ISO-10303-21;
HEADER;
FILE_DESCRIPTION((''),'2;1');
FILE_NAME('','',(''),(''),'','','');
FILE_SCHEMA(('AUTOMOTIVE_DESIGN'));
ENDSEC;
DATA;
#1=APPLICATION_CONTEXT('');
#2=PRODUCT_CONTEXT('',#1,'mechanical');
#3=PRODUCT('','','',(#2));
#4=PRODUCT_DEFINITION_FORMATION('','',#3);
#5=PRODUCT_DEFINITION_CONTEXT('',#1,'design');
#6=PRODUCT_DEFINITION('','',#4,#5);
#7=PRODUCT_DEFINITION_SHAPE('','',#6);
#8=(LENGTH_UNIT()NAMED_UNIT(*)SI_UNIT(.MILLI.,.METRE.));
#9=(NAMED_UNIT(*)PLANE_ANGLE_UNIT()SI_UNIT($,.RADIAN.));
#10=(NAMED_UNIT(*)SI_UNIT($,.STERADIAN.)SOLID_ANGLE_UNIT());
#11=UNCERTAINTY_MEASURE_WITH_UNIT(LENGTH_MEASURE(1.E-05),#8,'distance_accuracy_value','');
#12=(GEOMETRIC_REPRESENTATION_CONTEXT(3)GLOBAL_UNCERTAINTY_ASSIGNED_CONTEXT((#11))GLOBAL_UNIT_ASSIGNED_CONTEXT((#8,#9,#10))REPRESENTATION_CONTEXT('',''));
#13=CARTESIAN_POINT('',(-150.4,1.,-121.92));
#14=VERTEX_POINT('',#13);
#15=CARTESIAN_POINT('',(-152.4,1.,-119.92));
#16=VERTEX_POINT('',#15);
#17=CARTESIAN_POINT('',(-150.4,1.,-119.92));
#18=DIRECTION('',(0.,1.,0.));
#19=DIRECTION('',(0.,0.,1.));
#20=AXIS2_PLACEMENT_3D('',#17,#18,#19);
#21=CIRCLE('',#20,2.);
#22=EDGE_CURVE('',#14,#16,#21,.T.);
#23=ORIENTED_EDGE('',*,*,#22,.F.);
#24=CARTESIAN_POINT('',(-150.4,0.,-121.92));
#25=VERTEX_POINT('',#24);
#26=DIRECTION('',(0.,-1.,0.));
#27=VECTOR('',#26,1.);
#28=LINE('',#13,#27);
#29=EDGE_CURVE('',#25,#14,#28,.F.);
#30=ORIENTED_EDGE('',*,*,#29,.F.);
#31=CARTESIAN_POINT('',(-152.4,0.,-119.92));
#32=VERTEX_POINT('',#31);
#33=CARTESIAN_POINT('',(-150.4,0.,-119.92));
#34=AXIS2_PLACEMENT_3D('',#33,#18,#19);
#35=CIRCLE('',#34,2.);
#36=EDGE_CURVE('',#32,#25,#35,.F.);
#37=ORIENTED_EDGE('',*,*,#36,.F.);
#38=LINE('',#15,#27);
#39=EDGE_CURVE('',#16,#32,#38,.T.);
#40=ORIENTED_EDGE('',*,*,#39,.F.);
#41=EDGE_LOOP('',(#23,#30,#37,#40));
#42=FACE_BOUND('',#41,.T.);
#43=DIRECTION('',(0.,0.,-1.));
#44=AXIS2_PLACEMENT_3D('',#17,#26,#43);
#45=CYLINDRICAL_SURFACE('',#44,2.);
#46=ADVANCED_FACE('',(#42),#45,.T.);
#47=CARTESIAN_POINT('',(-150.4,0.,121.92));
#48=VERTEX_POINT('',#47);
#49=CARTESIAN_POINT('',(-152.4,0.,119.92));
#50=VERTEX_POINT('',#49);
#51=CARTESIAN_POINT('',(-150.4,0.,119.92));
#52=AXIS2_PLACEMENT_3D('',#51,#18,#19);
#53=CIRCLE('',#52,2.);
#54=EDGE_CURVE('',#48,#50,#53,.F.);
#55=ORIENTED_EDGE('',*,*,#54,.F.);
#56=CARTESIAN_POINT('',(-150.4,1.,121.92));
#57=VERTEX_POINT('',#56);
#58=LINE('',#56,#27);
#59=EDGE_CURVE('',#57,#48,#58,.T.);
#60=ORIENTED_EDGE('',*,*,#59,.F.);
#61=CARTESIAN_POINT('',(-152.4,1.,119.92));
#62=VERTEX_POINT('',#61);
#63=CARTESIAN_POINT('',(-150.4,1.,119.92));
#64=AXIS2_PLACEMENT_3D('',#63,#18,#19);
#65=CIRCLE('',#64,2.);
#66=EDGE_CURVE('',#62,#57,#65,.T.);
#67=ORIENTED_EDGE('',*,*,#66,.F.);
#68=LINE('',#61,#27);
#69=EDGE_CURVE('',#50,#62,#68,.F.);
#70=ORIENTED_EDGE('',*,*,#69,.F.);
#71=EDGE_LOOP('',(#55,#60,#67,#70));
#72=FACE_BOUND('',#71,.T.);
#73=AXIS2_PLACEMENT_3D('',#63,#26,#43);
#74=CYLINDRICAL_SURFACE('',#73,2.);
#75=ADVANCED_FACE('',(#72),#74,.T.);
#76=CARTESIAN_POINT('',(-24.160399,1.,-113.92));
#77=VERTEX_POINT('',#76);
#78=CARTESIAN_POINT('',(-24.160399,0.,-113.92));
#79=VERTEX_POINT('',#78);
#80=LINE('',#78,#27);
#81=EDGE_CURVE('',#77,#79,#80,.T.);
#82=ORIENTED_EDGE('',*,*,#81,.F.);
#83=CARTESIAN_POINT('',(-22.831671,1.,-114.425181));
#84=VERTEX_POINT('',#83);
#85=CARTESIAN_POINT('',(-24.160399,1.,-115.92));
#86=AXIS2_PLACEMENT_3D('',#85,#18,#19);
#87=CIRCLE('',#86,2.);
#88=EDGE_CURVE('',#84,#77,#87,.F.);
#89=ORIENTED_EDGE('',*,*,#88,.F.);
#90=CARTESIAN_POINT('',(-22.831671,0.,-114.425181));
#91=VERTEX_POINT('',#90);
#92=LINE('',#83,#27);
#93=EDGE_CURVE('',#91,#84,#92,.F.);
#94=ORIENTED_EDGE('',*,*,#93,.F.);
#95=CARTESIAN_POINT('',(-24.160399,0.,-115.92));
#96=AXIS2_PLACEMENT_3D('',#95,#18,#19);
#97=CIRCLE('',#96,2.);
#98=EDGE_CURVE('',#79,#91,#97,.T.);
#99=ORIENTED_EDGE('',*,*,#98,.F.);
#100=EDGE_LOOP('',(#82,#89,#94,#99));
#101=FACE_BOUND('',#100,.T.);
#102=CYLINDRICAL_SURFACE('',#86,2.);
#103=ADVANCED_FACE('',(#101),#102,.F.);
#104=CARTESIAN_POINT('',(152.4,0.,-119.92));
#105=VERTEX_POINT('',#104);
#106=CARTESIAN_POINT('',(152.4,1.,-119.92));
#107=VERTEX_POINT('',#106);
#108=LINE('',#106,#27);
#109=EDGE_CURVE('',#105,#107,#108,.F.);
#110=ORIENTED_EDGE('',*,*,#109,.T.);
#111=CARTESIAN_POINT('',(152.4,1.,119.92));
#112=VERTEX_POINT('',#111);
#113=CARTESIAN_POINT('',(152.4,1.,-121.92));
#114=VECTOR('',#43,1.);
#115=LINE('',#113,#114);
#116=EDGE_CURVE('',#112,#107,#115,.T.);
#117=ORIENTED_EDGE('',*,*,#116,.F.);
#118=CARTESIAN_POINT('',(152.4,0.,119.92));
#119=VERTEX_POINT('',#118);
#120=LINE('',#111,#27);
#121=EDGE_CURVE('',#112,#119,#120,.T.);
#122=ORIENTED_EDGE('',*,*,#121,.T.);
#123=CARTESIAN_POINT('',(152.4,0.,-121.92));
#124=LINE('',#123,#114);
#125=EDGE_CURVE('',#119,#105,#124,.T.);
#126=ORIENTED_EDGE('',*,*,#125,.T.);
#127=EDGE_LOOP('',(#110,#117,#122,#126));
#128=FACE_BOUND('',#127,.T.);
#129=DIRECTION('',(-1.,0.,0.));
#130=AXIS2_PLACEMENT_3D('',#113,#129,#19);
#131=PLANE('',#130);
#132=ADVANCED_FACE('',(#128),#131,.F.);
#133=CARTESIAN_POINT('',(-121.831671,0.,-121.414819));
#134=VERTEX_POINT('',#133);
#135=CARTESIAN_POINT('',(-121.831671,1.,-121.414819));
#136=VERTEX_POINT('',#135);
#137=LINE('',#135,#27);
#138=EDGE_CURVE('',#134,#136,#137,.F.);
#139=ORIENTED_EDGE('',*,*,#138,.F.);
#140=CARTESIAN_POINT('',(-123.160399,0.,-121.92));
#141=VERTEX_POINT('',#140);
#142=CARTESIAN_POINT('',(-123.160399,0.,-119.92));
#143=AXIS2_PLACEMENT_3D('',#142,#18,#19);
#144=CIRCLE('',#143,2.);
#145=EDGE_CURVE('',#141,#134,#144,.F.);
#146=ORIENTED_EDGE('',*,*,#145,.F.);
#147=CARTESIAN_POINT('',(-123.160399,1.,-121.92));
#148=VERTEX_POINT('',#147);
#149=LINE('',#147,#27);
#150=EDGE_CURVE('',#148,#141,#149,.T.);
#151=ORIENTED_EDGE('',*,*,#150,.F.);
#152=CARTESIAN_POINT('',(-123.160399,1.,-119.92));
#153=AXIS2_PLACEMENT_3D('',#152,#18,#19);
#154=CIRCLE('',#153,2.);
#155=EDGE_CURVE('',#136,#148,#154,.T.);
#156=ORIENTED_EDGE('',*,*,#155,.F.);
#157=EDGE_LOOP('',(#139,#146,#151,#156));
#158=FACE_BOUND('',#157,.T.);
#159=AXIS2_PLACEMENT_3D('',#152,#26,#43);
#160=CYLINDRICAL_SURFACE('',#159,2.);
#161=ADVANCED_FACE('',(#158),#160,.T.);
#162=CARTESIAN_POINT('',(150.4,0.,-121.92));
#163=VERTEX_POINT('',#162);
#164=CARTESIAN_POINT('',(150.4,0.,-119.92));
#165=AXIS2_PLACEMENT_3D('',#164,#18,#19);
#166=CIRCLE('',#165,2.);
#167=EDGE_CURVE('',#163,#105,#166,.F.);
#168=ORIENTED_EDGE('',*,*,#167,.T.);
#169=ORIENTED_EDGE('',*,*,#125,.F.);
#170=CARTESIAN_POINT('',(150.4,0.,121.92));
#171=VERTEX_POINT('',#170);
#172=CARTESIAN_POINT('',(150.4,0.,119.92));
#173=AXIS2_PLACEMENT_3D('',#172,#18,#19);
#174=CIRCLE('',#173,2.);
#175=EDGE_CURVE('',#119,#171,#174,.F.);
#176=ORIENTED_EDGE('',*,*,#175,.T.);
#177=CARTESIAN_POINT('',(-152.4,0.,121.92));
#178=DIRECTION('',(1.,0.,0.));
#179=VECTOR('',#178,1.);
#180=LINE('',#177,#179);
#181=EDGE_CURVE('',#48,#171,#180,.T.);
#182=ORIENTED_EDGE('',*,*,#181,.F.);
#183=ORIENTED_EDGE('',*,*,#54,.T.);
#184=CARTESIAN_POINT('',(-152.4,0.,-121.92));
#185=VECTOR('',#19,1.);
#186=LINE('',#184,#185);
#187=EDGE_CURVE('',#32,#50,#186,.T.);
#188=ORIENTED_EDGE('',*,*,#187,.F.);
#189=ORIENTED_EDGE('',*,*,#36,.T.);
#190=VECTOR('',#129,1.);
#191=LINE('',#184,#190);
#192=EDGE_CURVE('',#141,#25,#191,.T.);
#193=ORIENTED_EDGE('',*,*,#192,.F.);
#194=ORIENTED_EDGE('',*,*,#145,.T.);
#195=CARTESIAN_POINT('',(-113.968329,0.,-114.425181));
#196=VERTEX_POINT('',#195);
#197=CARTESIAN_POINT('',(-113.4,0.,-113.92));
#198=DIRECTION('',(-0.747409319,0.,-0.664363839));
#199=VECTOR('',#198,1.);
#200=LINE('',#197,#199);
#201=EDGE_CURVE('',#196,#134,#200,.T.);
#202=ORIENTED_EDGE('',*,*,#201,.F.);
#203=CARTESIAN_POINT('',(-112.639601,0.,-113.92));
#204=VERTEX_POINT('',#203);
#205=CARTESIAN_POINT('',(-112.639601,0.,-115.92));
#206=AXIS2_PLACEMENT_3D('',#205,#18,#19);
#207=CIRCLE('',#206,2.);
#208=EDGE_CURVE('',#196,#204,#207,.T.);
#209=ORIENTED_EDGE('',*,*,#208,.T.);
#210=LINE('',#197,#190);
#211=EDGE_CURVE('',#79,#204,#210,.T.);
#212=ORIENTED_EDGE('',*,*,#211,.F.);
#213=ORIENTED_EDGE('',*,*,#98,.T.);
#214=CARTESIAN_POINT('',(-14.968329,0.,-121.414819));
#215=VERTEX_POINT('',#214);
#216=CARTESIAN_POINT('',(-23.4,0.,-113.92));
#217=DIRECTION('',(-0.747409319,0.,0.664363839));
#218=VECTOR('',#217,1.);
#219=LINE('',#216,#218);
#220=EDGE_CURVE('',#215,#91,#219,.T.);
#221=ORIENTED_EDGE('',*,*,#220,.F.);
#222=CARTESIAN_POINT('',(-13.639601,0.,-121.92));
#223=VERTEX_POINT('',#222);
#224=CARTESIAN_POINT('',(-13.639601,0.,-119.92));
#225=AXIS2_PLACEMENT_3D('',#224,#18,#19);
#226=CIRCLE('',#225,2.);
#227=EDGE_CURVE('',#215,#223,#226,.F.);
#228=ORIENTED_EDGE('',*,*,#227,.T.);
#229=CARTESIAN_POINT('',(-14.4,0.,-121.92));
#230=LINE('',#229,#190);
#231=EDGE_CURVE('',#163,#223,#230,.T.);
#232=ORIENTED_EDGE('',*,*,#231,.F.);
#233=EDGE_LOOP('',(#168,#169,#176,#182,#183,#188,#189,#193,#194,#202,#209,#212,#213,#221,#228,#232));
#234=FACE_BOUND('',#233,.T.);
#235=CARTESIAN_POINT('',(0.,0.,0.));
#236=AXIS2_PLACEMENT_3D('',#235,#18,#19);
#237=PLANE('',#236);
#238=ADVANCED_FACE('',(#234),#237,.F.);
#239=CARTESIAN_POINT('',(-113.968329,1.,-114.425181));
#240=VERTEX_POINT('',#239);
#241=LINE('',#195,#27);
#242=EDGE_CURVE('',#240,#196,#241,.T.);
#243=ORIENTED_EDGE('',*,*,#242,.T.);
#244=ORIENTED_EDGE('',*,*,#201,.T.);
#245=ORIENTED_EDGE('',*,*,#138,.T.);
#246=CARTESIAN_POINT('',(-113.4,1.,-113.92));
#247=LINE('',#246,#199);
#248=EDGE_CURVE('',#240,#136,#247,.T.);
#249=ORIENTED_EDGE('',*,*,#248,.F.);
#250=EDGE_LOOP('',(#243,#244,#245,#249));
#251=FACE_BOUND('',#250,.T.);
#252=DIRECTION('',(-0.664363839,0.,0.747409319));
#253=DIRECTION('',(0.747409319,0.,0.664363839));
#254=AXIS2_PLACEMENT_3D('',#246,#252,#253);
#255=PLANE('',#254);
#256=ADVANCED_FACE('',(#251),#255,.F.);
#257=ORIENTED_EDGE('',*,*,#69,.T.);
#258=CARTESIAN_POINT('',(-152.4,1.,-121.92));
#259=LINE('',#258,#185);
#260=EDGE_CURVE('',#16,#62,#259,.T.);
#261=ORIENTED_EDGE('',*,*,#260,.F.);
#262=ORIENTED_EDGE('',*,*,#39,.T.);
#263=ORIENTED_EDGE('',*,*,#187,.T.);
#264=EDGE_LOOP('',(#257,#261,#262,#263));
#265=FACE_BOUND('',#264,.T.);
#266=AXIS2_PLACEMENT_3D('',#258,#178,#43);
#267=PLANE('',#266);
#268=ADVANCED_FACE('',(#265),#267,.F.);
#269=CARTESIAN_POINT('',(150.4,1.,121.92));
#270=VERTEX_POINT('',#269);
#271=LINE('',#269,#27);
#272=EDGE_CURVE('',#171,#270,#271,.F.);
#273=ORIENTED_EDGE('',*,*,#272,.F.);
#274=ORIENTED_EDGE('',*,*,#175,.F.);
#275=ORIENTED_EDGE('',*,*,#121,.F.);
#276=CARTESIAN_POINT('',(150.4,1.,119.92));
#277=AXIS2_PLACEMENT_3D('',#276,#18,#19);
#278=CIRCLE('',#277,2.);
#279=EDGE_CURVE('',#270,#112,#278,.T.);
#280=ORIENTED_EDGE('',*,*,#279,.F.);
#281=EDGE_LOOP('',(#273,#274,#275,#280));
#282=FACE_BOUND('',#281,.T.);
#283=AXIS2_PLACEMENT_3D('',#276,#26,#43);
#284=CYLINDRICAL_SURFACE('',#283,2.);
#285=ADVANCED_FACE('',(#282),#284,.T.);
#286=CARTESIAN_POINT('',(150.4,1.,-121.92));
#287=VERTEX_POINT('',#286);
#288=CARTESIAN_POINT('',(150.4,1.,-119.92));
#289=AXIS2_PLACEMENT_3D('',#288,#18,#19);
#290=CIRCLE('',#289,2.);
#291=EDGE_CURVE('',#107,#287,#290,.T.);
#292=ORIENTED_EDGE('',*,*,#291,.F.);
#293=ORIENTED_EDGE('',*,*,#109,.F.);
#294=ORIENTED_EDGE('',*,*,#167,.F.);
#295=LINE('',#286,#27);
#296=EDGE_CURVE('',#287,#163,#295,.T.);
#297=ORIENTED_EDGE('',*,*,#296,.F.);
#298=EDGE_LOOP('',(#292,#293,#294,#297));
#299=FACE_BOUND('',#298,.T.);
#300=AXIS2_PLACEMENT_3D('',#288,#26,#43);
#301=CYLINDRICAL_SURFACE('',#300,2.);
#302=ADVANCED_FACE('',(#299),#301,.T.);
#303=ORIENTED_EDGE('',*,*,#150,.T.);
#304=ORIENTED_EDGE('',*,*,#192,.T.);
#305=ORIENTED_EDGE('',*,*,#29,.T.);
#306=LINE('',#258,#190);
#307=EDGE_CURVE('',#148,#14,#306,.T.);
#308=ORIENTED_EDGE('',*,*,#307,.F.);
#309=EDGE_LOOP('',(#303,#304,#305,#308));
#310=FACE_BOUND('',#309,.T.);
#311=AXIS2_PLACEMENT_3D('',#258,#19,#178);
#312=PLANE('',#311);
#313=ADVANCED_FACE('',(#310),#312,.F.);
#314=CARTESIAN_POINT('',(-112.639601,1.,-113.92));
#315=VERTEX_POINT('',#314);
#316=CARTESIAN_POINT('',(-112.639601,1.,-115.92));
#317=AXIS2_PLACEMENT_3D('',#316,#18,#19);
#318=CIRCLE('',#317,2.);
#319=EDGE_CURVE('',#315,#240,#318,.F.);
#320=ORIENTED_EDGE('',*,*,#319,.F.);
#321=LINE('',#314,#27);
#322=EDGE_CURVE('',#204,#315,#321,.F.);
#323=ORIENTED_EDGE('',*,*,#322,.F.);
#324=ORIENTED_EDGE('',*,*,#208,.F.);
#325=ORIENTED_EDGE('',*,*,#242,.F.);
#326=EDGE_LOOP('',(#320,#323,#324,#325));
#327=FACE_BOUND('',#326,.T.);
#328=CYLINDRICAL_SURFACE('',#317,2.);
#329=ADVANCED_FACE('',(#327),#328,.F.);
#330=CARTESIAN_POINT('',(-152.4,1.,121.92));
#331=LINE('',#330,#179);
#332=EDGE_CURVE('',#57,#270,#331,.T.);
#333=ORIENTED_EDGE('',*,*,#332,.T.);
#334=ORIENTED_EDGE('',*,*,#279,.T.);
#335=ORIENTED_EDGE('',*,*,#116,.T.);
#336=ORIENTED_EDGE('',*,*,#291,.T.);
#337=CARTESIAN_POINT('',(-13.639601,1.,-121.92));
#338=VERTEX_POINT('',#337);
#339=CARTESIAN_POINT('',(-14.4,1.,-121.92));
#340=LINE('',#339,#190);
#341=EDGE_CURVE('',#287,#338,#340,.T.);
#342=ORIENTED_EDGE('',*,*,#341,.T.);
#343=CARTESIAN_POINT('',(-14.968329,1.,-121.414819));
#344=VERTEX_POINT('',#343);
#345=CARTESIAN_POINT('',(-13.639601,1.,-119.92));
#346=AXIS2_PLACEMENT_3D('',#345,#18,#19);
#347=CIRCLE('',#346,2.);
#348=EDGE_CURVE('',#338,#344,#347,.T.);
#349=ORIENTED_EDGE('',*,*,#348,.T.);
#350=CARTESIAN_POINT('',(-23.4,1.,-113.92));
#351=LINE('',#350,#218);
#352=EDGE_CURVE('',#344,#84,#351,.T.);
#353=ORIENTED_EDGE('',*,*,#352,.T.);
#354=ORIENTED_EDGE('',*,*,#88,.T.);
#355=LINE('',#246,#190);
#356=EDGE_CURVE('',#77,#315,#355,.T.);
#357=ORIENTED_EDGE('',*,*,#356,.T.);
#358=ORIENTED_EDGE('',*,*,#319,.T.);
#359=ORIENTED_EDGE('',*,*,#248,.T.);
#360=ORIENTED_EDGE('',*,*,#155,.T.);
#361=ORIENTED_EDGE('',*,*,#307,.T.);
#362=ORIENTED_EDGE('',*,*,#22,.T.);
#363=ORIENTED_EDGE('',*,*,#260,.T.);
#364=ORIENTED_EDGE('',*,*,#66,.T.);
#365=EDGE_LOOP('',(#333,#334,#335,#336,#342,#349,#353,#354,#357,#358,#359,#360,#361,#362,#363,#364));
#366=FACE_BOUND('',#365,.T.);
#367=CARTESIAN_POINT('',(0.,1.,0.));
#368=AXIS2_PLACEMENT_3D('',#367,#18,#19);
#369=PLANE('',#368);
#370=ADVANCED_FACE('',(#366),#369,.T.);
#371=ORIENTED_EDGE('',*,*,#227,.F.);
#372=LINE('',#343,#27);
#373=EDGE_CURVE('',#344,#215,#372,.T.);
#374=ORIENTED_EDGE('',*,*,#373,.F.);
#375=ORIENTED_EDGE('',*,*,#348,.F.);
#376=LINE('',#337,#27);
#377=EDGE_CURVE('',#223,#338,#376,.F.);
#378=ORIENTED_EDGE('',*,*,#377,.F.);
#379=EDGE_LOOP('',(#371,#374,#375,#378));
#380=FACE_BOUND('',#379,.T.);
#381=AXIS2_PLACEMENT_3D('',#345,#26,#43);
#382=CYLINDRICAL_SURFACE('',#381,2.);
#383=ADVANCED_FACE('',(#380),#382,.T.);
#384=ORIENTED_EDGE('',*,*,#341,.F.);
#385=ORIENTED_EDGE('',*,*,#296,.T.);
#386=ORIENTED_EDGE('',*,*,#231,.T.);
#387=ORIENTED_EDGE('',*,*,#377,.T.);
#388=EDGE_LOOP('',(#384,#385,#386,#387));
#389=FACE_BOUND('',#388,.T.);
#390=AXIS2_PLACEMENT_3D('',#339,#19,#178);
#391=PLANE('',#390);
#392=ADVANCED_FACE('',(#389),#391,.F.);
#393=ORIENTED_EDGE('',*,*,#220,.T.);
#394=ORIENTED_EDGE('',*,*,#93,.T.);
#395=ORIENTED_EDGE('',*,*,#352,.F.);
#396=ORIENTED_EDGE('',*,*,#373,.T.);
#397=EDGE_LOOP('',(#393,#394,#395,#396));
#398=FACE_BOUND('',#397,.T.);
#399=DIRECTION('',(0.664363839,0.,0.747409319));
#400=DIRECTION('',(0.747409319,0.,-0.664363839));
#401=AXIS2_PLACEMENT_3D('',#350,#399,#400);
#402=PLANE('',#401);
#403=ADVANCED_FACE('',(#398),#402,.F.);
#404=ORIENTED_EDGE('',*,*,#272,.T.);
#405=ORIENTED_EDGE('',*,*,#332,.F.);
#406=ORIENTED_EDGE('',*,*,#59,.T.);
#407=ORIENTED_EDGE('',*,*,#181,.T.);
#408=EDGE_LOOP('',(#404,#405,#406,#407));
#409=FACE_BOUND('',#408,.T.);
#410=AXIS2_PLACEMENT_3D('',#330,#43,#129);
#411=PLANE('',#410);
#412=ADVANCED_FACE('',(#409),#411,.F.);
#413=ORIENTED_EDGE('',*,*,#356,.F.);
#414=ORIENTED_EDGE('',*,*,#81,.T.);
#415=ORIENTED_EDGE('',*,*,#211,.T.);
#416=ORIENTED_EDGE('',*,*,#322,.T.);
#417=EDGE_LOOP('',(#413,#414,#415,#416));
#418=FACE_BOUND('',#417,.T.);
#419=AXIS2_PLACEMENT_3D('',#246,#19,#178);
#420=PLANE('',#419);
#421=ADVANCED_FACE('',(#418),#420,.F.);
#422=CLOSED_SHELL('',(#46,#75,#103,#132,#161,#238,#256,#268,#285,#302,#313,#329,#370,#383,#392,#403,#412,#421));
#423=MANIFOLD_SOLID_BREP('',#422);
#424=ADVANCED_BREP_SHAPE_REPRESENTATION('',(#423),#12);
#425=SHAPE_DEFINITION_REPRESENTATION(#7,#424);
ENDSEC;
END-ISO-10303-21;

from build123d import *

# Parameters (mm, degrees)
BOSS_EXTRUDE1_DEPTH = 1
FILLET1_R           = 2
FILLET2_R           = 2


with BuildPart() as part:
    # Sketch1 → Boss-Extrude1 (new body)
    with BuildSketch(Plane(origin=(0, 0, 0), x_dir=(1, 0, 0), z_dir=(0, 1, 0))):
        Polygon((-152.4, 121.92), (-152.4, -121.92), (152.4, -121.92), (152.4, 121.92), (-14.4, 121.92), (-23.4, 113.92), (-113.4, 113.92), (-122.4, 121.92), align=None)
    extrude(amount=BOSS_EXTRUDE1_DEPTH)

    # Fillet1
    fillet1_edges = [part.edges().sort_by_distance(p)[0] for p in [
        (-122.4, 0.5, -121.92),
        (-113.4, 0.5, -113.92),
        (-23.4, 0.5, -113.92),
        (-14.4, 0.5, -121.92),
    ]]
    fillet(fillet1_edges, radius=FILLET1_R)

    # Fillet2
    fillet2_edges = [part.edges().sort_by_distance(p)[0] for p in [
        (152.4, 0.5, 121.92),
        (-152.4, 0.5, 121.92),
        (-152.4, 0.5, -121.92),
        (152.4, 0.5, -121.92),
    ]]
    fillet(fillet2_edges, radius=FILLET2_R)


solid = part.part
